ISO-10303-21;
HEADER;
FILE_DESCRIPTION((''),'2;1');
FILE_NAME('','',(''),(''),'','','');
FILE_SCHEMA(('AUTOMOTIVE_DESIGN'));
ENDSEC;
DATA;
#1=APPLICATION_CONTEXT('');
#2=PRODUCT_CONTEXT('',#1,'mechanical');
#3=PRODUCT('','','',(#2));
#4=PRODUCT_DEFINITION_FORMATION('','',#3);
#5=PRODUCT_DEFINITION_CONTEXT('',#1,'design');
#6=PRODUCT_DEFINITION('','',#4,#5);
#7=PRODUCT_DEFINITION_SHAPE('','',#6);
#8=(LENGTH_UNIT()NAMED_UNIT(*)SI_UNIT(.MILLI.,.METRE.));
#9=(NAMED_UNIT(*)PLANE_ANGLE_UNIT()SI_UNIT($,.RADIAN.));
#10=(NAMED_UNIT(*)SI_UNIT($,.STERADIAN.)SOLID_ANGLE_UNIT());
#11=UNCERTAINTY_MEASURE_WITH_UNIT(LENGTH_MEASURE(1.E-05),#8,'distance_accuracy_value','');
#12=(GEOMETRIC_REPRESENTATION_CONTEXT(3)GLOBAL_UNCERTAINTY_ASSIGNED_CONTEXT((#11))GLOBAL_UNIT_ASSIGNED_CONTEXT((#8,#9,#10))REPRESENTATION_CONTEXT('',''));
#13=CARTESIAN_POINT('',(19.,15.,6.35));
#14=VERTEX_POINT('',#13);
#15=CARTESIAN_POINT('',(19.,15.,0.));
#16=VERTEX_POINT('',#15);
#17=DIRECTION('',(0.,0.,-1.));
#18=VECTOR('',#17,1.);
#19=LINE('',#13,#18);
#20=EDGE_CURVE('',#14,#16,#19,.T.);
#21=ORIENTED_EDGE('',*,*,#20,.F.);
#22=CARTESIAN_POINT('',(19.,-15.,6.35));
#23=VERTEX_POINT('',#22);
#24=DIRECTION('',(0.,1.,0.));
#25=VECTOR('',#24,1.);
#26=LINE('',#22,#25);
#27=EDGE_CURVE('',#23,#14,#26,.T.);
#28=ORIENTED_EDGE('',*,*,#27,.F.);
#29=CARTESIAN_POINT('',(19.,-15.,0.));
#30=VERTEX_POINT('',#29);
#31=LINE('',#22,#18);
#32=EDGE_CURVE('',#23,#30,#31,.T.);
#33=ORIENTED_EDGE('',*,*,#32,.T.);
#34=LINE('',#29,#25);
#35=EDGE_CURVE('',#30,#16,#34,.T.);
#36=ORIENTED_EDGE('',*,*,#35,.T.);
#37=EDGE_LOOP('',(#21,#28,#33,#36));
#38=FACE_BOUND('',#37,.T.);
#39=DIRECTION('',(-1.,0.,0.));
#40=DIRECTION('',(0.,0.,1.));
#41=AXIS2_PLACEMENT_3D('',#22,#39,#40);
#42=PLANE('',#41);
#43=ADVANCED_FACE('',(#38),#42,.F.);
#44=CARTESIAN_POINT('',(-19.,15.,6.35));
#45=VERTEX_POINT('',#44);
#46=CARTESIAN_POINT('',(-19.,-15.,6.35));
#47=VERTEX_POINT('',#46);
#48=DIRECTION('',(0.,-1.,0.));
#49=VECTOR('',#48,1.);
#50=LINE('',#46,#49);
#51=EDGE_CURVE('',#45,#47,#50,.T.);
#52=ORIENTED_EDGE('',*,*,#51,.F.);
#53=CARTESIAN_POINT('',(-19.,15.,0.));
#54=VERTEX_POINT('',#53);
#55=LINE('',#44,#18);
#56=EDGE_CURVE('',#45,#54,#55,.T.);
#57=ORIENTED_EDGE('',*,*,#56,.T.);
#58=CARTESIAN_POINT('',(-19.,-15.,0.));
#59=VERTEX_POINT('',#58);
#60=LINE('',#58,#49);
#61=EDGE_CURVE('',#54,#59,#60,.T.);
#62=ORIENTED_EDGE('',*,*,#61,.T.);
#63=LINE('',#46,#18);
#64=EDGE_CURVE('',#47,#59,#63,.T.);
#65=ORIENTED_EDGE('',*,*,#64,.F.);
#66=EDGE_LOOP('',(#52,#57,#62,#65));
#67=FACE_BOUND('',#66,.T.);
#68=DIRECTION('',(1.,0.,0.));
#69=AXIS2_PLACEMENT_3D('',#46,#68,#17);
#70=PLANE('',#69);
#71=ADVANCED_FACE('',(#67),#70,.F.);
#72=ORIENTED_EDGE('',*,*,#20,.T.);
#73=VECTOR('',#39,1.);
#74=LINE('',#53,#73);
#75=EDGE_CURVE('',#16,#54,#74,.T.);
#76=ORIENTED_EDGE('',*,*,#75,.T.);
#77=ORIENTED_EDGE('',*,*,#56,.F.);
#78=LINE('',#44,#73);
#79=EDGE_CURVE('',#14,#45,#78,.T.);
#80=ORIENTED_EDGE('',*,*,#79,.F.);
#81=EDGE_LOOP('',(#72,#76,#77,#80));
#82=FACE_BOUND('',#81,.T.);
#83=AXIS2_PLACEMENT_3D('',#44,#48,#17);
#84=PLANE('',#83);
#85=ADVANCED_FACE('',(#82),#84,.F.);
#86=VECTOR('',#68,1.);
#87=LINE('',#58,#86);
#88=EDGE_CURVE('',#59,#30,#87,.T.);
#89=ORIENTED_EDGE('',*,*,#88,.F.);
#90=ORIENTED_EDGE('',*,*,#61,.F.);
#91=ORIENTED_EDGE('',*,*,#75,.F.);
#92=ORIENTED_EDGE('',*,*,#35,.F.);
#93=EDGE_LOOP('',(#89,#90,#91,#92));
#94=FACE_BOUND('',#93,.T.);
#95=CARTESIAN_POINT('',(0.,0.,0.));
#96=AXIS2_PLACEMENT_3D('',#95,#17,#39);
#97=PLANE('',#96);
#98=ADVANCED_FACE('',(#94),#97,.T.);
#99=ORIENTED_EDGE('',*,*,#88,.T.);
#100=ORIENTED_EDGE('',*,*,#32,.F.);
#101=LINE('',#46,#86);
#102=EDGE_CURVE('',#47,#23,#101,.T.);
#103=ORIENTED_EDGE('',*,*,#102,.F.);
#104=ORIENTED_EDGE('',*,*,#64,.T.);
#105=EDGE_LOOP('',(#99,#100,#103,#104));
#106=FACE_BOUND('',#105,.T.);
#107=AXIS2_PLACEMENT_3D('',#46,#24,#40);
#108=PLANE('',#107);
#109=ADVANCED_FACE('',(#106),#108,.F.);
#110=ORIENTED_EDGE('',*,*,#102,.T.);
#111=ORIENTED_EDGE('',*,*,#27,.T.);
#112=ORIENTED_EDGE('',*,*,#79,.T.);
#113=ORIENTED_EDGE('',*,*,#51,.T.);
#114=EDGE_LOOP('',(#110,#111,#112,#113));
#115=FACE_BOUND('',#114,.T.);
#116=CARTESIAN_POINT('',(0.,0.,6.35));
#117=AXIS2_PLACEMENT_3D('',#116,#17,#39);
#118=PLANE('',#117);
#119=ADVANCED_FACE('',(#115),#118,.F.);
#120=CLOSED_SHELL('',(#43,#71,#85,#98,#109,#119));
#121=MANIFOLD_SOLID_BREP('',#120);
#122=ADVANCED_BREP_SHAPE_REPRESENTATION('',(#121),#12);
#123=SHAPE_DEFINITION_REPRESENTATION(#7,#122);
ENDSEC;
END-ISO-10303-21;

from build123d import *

# Parameters (mm, degrees)
CROQUIS1_W              = 38
CROQUIS1_H              = 30
SALIENTE_EXTRUIR1_DEPTH = 6.35


with BuildPart() as part:
    # Croquis1 → Saliente-Extruir1 (new body)
    with BuildSketch(Plane.XY):
        Rectangle(CROQUIS1_W, CROQUIS1_H)
    extrude(amount=SALIENTE_EXTRUIR1_DEPTH)


solid = part.part
